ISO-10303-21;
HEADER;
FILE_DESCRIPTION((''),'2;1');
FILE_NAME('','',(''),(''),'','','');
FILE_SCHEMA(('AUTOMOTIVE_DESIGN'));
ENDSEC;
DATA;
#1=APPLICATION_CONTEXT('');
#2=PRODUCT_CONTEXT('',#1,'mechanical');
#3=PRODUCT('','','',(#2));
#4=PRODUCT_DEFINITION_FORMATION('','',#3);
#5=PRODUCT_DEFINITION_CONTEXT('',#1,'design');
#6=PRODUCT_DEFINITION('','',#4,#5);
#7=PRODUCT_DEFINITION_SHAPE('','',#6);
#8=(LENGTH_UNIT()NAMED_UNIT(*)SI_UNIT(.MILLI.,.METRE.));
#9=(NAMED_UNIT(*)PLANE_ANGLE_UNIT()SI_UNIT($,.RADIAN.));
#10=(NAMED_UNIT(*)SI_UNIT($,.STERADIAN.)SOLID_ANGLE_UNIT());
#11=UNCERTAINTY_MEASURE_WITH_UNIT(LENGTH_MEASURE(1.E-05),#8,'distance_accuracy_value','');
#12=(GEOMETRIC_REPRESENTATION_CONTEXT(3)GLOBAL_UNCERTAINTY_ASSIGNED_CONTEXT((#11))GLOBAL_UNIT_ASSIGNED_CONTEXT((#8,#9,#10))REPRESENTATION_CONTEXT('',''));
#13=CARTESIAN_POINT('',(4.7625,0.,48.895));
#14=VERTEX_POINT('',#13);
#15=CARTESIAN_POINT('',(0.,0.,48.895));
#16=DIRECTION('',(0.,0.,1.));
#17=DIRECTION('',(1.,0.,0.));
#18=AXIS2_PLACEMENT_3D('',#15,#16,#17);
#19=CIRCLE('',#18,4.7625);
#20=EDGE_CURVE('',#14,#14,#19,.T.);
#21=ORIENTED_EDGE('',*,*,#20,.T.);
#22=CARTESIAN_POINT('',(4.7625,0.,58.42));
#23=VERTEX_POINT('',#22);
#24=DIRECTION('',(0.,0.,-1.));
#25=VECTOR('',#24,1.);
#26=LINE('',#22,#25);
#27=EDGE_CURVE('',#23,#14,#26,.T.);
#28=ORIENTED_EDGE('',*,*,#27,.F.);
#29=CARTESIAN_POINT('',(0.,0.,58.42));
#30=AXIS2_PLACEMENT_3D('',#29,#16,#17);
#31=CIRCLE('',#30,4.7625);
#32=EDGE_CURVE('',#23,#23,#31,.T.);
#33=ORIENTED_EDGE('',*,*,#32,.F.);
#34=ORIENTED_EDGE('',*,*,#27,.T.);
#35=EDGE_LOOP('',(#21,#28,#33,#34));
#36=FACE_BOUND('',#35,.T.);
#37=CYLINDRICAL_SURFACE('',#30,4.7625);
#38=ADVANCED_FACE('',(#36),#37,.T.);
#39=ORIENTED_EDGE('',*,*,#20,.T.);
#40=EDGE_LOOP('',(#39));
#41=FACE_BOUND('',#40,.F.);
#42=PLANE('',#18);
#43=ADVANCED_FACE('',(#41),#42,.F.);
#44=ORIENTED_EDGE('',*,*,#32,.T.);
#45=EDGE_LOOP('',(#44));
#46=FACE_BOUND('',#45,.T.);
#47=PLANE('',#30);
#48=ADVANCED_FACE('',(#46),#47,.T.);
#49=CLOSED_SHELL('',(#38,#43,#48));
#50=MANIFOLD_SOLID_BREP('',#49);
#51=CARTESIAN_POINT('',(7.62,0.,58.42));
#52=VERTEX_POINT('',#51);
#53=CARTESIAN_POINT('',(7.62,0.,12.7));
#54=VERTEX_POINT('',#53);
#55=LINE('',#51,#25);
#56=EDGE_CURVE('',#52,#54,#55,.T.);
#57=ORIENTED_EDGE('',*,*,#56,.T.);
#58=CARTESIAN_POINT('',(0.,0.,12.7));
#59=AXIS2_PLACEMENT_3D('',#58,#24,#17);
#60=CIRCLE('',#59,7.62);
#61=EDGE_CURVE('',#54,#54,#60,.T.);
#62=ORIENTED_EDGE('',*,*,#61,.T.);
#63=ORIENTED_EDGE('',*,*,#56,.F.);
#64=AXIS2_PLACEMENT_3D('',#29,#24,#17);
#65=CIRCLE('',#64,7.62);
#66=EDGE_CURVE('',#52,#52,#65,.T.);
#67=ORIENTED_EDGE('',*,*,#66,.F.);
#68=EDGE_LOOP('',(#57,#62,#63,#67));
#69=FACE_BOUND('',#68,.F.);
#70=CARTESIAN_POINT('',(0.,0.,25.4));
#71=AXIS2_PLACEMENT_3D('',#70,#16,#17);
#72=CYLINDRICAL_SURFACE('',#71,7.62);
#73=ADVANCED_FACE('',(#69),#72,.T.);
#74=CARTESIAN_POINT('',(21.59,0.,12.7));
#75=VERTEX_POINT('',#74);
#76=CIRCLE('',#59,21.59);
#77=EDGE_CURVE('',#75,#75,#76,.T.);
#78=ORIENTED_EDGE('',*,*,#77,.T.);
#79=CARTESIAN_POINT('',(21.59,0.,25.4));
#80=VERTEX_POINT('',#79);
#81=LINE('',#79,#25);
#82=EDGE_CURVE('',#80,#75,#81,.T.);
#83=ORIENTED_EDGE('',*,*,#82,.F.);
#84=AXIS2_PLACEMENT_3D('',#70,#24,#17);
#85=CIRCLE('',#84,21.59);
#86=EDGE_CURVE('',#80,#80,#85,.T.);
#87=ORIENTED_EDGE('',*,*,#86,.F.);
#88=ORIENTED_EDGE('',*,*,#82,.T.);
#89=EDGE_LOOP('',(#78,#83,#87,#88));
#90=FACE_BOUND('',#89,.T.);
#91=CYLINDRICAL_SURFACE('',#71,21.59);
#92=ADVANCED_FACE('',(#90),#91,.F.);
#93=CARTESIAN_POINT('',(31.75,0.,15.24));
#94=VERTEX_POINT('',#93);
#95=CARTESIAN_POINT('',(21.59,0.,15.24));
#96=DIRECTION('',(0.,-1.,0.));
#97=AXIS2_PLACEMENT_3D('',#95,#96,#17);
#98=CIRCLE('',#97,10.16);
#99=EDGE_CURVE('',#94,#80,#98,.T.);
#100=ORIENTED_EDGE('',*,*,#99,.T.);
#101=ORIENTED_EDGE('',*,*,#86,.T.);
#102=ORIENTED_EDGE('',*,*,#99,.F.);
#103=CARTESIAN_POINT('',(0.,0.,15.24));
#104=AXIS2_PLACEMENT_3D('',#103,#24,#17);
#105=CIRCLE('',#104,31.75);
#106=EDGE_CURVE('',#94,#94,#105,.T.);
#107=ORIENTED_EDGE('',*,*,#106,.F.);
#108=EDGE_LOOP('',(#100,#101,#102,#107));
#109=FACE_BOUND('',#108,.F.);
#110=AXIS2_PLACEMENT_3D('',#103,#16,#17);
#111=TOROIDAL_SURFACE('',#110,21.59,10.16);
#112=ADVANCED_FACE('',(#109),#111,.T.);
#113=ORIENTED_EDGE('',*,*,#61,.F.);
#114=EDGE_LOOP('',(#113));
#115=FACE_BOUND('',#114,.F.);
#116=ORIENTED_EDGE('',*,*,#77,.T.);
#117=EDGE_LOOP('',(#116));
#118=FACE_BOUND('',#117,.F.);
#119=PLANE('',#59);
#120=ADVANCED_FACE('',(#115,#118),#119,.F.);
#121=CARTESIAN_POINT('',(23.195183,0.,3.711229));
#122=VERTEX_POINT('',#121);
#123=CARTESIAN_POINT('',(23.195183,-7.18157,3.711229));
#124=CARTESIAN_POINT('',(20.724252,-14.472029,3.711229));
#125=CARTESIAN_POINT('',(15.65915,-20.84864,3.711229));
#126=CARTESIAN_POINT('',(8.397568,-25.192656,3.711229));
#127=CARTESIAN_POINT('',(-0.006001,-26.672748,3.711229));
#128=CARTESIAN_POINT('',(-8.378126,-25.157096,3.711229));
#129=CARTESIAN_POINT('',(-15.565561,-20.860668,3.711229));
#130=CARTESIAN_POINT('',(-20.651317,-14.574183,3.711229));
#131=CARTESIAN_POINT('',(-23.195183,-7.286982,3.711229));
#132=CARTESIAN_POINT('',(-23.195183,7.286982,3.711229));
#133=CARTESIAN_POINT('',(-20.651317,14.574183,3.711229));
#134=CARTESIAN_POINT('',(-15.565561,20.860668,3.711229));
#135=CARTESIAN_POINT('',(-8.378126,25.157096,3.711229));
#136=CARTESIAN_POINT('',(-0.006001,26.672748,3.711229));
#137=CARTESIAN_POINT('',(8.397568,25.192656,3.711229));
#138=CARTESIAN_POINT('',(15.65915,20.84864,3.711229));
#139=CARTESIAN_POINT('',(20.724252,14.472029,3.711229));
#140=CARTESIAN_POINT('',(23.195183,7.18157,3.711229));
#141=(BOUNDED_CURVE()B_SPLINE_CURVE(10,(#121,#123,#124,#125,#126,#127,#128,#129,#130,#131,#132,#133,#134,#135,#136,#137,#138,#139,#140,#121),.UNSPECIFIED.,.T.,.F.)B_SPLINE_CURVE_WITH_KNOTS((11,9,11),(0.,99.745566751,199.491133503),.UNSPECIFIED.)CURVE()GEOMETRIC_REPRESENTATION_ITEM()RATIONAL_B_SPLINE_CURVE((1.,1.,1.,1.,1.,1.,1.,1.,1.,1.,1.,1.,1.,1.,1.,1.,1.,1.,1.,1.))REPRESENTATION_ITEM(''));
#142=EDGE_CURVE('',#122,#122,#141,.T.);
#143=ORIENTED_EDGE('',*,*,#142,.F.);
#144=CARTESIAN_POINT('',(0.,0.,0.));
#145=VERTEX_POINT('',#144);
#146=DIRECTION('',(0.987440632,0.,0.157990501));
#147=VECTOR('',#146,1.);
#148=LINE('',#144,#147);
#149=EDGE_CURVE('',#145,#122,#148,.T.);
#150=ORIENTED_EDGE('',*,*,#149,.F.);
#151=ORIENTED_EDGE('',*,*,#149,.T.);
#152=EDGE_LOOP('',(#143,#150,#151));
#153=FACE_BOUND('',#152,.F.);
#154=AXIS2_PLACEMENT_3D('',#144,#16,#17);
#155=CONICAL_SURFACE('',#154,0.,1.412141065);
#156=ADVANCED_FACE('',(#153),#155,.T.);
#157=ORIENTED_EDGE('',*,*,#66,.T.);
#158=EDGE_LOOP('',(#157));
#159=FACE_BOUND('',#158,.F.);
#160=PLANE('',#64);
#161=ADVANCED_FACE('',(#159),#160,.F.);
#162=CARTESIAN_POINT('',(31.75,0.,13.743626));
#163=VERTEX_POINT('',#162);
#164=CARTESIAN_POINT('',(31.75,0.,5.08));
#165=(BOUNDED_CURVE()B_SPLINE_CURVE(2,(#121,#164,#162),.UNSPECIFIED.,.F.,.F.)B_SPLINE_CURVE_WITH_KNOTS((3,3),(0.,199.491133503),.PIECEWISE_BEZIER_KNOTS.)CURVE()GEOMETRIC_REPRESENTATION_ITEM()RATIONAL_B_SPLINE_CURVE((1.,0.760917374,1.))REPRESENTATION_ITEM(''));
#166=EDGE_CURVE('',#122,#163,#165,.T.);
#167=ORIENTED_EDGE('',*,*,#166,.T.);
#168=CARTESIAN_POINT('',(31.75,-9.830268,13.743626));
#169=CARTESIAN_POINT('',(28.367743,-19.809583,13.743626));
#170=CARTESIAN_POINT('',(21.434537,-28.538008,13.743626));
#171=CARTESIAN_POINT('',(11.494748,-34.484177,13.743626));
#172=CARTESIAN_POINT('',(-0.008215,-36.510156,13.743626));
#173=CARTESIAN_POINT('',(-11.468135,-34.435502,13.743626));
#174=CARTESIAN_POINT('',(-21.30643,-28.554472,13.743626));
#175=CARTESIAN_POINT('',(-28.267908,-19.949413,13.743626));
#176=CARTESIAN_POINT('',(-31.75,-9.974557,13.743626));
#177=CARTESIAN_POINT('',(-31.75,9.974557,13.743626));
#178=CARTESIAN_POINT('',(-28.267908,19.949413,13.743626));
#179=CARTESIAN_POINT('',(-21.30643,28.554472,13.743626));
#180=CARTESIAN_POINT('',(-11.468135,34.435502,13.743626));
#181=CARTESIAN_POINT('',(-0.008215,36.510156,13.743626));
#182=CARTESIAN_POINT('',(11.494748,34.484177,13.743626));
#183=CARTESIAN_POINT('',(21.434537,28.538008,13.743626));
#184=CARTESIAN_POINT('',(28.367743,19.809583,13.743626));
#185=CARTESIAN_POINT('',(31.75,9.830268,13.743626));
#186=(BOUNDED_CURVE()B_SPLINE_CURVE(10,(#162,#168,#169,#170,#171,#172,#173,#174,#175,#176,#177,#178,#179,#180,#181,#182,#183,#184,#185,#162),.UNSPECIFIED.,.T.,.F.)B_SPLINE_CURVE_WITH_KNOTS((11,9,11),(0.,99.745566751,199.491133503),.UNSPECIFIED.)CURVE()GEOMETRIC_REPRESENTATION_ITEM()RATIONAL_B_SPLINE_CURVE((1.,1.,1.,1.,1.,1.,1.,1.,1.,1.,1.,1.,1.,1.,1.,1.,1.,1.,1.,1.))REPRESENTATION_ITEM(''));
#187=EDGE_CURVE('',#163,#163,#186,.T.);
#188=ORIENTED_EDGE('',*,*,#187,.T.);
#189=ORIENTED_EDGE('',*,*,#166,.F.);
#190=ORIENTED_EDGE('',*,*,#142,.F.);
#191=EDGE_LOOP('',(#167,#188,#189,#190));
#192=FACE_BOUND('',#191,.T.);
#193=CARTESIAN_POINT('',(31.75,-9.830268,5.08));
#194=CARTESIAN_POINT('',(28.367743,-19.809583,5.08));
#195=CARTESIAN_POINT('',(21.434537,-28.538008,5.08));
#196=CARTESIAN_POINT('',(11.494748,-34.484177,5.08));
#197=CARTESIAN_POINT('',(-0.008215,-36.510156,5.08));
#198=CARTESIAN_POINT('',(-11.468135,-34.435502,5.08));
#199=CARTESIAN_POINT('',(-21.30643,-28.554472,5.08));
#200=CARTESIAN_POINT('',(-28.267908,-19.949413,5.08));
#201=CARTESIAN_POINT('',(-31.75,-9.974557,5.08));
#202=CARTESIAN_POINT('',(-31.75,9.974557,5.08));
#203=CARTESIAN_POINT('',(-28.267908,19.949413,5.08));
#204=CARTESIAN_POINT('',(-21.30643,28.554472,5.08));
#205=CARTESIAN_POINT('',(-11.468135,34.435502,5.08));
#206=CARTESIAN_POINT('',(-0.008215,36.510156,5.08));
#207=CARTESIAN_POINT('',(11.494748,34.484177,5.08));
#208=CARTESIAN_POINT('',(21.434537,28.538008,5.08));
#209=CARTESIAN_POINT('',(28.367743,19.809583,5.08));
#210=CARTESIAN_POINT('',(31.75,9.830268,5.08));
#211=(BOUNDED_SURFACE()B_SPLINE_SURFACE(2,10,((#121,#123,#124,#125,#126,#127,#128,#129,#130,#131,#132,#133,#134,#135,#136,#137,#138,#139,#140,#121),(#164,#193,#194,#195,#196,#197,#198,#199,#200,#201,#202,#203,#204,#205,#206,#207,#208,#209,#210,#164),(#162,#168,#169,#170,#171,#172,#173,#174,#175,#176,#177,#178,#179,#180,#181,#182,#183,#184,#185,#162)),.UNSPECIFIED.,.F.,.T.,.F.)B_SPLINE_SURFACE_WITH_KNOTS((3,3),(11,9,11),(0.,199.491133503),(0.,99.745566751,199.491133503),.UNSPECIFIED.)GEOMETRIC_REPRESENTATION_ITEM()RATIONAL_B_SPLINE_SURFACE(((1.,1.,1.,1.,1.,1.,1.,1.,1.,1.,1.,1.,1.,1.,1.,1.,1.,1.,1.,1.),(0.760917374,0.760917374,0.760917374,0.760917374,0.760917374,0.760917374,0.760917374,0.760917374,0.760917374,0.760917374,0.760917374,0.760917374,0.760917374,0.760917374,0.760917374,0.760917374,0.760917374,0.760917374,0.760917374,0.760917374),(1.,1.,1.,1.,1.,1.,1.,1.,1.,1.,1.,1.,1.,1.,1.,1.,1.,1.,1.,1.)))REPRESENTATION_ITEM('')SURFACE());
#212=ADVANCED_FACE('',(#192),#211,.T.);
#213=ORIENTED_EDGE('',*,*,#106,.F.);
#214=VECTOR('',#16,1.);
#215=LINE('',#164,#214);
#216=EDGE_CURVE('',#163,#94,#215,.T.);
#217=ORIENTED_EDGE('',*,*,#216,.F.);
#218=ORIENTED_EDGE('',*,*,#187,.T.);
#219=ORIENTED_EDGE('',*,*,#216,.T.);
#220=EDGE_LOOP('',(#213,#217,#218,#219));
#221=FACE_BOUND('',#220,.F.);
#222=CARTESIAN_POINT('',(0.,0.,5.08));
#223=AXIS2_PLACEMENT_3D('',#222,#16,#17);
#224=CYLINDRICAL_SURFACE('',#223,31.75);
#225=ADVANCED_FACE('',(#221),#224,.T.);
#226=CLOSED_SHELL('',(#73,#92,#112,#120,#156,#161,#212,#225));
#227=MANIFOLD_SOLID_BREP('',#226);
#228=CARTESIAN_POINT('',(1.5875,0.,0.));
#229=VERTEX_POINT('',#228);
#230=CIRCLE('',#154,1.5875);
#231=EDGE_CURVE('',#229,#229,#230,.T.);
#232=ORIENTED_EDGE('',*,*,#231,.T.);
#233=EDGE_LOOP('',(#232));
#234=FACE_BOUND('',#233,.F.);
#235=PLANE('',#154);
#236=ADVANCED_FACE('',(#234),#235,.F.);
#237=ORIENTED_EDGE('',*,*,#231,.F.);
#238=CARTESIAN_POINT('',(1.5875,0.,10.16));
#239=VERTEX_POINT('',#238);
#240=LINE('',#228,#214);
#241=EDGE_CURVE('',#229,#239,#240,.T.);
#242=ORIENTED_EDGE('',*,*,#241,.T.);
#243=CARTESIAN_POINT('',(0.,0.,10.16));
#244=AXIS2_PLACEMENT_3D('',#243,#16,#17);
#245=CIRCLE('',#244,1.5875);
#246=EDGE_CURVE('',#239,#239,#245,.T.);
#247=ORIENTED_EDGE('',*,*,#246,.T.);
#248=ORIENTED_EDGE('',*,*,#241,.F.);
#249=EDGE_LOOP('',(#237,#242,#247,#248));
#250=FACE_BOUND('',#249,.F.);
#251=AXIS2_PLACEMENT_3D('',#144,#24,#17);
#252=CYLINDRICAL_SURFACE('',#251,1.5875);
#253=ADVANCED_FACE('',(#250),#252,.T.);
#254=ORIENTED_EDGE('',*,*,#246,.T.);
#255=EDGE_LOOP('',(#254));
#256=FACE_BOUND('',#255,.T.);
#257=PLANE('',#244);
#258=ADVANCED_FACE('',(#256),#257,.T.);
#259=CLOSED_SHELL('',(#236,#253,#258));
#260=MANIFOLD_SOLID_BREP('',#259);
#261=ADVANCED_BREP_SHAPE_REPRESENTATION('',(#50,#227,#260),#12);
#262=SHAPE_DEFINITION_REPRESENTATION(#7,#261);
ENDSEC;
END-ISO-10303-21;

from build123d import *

# Parameters (mm, degrees)
F2_R     = 10.16
F3_R     = 1.5875
F4_DEPTH = 10.16
F5_R     = 4.7625
F6_DEPTH = 9.525
F7_DEPTH = 12.7


with BuildPart() as f1:
    # F0 (on Front) → F1 (revolve)
    with BuildSketch(Plane.XZ):
        Polygon((0, 58.42), (0, 0), (31.75, 5.08), (31.75, 25.4), (7.62, 25.4), (7.62, 58.42), align=None)
    revolve(axis=Axis((0, 0, 29.21), (0, 0, -1)))

    # F2
    f2_edges = [f1.edges().sort_by_distance(p)[0] for p in [
        (-31.75, 0, 5.08),
        (-31.75, 0, 25.4),
        (31.75, 0, 15.24),
    ]]
    fillet(f2_edges, radius=F2_R)

    # F7 (cut): a face of the model
    f7_faces = [f1.faces().sort_by_distance(p)[0] for p in [
        (-20.9793425838, 0, 25.4),
    ]]
    extrude(f7_faces, amount=-F7_DEPTH, mode=Mode.SUBTRACT)


with BuildPart() as f4:
    # F3 (on Top) → F4 (new body)
    with BuildSketch(Plane.XY):
        Circle(F3_R)
    extrude(amount=F4_DEPTH)


with BuildPart() as f6:
    # F5 (on face) → F6 (new body)
    with BuildSketch(Plane.XY.offset(58.42)):
        Circle(F5_R)
    extrude(amount=-F6_DEPTH)


solid = Compound([f1.part, f4.part, f6.part])
